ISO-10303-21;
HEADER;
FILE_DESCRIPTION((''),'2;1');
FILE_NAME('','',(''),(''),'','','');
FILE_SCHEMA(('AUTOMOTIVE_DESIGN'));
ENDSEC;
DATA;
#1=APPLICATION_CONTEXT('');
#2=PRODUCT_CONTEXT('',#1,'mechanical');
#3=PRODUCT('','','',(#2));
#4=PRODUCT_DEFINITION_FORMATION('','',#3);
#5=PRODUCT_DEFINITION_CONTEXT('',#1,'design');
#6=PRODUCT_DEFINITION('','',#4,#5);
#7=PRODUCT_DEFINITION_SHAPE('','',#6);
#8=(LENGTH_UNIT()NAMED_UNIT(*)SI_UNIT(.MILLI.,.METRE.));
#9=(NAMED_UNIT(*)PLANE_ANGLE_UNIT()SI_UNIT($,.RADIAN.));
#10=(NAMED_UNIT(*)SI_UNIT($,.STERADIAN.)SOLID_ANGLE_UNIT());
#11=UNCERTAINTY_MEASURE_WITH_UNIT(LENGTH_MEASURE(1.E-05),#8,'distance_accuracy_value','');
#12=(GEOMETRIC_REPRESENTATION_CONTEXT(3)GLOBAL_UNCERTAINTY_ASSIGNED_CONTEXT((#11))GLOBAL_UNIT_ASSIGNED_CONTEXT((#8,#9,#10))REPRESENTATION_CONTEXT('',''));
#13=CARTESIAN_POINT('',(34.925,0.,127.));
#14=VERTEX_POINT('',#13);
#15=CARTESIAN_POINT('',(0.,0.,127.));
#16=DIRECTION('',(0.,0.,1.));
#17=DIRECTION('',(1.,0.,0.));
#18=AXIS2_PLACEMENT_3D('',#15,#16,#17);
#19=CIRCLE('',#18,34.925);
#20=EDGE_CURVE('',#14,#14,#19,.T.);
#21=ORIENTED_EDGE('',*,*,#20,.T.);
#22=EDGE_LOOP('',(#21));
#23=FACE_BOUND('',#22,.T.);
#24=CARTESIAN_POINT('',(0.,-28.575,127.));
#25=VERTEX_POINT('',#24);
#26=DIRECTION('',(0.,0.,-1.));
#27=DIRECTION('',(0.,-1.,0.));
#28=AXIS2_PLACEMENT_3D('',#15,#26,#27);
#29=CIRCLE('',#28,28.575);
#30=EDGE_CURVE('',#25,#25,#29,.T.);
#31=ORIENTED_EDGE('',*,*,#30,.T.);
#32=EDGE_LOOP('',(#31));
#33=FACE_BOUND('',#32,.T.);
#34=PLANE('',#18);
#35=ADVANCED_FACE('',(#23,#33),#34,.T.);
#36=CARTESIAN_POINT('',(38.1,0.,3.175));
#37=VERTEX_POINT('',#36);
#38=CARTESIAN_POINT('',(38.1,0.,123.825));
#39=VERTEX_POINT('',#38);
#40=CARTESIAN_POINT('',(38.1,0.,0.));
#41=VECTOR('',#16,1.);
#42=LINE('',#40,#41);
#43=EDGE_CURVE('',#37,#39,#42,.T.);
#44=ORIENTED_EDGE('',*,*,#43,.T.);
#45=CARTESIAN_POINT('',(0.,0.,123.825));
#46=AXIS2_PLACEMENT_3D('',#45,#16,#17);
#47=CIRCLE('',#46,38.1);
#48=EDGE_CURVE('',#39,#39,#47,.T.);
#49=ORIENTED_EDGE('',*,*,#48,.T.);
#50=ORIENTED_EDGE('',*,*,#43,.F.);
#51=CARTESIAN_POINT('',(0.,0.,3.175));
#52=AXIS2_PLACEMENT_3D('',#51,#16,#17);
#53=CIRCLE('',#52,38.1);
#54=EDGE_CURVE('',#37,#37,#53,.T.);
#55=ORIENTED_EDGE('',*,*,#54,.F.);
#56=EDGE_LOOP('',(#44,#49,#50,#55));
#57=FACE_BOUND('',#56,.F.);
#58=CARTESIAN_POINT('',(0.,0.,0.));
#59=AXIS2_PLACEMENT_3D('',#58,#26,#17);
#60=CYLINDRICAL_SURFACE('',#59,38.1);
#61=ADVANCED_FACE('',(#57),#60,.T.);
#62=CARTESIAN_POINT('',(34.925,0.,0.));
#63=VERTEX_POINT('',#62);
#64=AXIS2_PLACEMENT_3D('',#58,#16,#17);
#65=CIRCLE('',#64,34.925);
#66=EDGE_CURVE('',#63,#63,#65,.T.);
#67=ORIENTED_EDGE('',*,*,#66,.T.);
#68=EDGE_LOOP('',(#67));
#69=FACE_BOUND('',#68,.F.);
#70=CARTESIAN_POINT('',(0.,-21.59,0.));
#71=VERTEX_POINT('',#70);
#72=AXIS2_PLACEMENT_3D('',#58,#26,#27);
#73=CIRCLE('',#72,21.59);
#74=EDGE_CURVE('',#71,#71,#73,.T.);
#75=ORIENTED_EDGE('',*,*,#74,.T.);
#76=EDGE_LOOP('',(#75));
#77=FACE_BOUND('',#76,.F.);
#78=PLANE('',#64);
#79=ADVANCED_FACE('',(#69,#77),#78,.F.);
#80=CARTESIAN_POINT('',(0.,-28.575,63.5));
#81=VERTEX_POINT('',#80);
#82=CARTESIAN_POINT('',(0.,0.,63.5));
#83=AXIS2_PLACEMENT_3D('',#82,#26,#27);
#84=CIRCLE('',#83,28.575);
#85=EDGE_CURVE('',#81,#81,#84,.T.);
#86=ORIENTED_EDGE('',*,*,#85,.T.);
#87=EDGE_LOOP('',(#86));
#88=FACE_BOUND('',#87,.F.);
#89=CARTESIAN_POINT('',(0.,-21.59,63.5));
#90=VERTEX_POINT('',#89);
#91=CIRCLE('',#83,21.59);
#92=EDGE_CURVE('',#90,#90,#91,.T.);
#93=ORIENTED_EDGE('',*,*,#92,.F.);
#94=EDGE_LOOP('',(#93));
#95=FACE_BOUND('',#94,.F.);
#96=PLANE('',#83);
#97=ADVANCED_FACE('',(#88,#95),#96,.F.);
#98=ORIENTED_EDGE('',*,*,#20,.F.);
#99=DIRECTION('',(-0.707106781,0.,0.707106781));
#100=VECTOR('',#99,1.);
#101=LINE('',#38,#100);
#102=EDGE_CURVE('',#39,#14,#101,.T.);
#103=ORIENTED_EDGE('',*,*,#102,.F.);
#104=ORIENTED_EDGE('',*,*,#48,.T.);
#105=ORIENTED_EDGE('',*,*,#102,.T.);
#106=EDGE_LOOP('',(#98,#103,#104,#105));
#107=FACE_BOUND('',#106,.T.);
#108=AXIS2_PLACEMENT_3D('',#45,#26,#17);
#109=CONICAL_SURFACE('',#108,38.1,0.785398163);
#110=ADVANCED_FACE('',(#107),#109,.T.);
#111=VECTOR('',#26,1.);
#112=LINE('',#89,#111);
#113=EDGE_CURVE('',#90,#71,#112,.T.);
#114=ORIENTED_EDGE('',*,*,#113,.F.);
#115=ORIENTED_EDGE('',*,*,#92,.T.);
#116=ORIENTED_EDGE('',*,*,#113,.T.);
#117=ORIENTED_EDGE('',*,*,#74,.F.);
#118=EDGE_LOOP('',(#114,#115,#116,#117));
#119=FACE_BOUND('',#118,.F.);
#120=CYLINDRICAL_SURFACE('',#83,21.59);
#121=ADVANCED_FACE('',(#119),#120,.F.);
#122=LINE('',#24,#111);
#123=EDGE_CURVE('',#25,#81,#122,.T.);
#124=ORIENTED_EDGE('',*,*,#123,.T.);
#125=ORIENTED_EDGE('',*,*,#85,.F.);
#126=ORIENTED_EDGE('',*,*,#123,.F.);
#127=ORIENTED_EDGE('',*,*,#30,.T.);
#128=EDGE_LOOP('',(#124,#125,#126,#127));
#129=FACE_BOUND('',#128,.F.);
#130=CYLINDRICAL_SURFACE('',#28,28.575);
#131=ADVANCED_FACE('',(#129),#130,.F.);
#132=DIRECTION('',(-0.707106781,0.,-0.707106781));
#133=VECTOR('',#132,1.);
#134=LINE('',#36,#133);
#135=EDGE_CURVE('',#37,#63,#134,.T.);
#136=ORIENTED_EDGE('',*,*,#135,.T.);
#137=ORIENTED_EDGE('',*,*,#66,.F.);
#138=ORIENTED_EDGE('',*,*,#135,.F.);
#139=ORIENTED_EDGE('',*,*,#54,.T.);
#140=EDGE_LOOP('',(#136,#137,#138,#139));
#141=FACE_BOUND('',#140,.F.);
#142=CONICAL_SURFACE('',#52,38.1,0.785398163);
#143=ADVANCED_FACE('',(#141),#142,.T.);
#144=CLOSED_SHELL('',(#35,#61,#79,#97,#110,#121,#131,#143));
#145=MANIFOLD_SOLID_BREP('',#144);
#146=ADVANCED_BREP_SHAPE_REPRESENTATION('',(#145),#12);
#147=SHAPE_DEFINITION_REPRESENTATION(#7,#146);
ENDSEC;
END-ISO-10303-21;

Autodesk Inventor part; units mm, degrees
ref_plane "YZ Plane" through (0, 0, 0) normal (1, 0, 0) x (0, 1, 0)
ref_plane "XZ Plane" through (0, 0, 0) normal (0, 1, 0) x (-1, 0, 0)
ref_plane "XY Plane" through (0, 0, 0) normal (0, 0, 1) x (1, 0, 0)
sketch "Sketch1" plane through (0, 0, 0) normal (0, 0, 1) x (1, 0, 0)
  circle A0 centre (0, 0) radius 38.1
  dimension "d0" = 76.2
extrude "Extrusion1" add sketch "Sketch1" along normal blind 127
chamfer "Chamfer1" distance 3.175 angle 45 2 edges at (-38.1, 0, 0) (-38.1, 0, 127)
sketch "Sketch2" plane through (0, 0, 127) normal (0, 0, 1) x (1, 0, 0)
  point P0 (0, 0)
hole "Hole1" at (0, 0, 127) direction (0, 0, -1) diameter 43.18 end through all counterbore diameter 57.15 counterbore depth 63.5 clearance for "Hex Head Bolt" size "1-1/2" standard "Ansi Unified Screw Threads"
properties part number "Coupler" material "Steel, Mild"
